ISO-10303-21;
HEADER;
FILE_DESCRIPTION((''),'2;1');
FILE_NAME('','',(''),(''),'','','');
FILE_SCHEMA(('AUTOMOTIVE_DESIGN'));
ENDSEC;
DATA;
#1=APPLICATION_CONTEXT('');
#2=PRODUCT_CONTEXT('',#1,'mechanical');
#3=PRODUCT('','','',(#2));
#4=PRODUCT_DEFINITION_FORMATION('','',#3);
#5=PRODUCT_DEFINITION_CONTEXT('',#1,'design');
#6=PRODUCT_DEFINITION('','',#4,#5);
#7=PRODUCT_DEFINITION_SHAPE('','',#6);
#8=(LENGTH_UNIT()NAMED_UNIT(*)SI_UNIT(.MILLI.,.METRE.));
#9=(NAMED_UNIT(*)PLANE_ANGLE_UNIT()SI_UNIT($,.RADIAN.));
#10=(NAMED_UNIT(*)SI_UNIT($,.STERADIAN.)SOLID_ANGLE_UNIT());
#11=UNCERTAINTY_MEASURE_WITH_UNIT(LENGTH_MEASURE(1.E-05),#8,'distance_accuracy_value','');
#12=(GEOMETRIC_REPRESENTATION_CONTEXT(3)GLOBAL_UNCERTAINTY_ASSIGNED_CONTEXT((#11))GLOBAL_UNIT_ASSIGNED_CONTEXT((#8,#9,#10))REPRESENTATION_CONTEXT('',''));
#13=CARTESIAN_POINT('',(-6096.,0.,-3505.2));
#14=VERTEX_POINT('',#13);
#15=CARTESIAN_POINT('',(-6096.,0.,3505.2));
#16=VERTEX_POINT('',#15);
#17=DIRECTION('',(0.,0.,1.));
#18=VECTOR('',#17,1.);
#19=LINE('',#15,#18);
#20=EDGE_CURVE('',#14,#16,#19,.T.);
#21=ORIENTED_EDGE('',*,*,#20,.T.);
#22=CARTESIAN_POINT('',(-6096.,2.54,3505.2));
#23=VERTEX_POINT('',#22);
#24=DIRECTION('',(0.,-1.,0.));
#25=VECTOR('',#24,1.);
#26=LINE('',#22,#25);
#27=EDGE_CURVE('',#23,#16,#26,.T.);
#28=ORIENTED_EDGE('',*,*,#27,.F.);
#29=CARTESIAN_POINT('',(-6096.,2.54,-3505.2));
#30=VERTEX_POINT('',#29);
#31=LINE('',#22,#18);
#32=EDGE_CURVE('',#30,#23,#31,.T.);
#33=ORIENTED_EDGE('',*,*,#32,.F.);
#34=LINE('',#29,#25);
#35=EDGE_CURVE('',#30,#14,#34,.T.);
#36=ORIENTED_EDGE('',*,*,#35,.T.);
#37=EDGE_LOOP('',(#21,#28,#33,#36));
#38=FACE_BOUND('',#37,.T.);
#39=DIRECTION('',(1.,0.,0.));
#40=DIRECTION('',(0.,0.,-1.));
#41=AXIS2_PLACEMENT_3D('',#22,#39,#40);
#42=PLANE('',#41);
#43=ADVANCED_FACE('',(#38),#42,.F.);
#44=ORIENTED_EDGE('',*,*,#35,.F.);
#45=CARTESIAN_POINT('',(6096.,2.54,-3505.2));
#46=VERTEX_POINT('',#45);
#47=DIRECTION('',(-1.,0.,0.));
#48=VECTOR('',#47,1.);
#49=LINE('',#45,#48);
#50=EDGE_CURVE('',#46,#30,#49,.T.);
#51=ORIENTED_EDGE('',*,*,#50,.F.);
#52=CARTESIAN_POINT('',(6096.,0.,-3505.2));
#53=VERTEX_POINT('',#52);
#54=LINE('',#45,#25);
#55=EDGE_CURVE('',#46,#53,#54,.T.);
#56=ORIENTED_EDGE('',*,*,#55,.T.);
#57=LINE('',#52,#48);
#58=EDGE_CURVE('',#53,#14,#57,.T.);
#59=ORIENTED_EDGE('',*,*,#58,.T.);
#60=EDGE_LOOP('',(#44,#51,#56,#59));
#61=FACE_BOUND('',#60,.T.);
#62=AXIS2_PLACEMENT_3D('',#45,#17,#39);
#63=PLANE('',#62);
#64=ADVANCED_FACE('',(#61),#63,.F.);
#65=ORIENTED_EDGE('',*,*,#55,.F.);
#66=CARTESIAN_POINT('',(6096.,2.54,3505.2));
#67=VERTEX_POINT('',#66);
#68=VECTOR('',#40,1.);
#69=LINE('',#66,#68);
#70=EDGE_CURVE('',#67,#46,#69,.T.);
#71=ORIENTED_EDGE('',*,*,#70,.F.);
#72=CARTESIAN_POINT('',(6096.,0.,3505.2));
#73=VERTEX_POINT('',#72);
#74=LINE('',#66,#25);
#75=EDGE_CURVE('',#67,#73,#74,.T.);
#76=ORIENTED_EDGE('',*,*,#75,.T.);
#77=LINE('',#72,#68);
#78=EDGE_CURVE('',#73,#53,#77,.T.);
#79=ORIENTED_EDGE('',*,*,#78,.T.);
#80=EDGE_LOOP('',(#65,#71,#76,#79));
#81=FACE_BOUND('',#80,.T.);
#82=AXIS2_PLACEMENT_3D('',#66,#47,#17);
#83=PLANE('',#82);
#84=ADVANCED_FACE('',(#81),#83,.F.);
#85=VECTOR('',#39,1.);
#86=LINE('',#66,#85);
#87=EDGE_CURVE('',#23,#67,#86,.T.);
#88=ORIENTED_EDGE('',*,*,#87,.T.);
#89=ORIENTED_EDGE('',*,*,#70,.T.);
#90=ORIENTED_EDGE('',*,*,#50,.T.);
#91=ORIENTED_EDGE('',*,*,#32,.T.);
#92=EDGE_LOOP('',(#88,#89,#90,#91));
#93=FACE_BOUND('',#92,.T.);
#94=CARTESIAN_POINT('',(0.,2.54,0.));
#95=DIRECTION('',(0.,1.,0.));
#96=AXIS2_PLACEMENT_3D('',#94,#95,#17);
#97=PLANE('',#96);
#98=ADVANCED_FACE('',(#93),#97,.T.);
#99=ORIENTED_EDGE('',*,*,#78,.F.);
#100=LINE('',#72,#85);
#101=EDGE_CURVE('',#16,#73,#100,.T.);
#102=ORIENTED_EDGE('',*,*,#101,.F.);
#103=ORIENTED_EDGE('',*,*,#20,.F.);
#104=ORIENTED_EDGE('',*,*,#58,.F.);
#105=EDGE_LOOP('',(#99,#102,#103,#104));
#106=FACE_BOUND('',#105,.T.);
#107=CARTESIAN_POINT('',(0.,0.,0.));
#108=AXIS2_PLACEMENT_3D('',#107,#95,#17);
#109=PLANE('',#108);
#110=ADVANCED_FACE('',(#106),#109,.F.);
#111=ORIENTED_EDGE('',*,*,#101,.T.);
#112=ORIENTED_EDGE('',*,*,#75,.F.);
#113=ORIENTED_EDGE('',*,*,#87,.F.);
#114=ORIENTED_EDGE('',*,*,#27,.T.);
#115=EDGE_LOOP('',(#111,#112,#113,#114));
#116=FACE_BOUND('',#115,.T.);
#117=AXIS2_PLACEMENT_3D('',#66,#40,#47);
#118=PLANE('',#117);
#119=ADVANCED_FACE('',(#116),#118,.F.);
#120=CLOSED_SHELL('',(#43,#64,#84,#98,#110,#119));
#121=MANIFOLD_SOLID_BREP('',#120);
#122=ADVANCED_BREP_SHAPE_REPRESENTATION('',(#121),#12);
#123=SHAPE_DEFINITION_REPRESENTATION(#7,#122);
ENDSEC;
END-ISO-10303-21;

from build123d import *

# Parameters (mm, degrees)
SKETCH1_W  = 12192
SKETCH1_H  = 7010.4
BASE_DEPTH = 2.54


with BuildPart() as part:
    # Sketch1 → Base (new body)
    with BuildSketch(Plane(origin=(0, 0, 0), x_dir=(1, 0, 0), z_dir=(0, 1, 0))):
        Rectangle(SKETCH1_W, SKETCH1_H)
    extrude(amount=BASE_DEPTH)


solid = part.part
